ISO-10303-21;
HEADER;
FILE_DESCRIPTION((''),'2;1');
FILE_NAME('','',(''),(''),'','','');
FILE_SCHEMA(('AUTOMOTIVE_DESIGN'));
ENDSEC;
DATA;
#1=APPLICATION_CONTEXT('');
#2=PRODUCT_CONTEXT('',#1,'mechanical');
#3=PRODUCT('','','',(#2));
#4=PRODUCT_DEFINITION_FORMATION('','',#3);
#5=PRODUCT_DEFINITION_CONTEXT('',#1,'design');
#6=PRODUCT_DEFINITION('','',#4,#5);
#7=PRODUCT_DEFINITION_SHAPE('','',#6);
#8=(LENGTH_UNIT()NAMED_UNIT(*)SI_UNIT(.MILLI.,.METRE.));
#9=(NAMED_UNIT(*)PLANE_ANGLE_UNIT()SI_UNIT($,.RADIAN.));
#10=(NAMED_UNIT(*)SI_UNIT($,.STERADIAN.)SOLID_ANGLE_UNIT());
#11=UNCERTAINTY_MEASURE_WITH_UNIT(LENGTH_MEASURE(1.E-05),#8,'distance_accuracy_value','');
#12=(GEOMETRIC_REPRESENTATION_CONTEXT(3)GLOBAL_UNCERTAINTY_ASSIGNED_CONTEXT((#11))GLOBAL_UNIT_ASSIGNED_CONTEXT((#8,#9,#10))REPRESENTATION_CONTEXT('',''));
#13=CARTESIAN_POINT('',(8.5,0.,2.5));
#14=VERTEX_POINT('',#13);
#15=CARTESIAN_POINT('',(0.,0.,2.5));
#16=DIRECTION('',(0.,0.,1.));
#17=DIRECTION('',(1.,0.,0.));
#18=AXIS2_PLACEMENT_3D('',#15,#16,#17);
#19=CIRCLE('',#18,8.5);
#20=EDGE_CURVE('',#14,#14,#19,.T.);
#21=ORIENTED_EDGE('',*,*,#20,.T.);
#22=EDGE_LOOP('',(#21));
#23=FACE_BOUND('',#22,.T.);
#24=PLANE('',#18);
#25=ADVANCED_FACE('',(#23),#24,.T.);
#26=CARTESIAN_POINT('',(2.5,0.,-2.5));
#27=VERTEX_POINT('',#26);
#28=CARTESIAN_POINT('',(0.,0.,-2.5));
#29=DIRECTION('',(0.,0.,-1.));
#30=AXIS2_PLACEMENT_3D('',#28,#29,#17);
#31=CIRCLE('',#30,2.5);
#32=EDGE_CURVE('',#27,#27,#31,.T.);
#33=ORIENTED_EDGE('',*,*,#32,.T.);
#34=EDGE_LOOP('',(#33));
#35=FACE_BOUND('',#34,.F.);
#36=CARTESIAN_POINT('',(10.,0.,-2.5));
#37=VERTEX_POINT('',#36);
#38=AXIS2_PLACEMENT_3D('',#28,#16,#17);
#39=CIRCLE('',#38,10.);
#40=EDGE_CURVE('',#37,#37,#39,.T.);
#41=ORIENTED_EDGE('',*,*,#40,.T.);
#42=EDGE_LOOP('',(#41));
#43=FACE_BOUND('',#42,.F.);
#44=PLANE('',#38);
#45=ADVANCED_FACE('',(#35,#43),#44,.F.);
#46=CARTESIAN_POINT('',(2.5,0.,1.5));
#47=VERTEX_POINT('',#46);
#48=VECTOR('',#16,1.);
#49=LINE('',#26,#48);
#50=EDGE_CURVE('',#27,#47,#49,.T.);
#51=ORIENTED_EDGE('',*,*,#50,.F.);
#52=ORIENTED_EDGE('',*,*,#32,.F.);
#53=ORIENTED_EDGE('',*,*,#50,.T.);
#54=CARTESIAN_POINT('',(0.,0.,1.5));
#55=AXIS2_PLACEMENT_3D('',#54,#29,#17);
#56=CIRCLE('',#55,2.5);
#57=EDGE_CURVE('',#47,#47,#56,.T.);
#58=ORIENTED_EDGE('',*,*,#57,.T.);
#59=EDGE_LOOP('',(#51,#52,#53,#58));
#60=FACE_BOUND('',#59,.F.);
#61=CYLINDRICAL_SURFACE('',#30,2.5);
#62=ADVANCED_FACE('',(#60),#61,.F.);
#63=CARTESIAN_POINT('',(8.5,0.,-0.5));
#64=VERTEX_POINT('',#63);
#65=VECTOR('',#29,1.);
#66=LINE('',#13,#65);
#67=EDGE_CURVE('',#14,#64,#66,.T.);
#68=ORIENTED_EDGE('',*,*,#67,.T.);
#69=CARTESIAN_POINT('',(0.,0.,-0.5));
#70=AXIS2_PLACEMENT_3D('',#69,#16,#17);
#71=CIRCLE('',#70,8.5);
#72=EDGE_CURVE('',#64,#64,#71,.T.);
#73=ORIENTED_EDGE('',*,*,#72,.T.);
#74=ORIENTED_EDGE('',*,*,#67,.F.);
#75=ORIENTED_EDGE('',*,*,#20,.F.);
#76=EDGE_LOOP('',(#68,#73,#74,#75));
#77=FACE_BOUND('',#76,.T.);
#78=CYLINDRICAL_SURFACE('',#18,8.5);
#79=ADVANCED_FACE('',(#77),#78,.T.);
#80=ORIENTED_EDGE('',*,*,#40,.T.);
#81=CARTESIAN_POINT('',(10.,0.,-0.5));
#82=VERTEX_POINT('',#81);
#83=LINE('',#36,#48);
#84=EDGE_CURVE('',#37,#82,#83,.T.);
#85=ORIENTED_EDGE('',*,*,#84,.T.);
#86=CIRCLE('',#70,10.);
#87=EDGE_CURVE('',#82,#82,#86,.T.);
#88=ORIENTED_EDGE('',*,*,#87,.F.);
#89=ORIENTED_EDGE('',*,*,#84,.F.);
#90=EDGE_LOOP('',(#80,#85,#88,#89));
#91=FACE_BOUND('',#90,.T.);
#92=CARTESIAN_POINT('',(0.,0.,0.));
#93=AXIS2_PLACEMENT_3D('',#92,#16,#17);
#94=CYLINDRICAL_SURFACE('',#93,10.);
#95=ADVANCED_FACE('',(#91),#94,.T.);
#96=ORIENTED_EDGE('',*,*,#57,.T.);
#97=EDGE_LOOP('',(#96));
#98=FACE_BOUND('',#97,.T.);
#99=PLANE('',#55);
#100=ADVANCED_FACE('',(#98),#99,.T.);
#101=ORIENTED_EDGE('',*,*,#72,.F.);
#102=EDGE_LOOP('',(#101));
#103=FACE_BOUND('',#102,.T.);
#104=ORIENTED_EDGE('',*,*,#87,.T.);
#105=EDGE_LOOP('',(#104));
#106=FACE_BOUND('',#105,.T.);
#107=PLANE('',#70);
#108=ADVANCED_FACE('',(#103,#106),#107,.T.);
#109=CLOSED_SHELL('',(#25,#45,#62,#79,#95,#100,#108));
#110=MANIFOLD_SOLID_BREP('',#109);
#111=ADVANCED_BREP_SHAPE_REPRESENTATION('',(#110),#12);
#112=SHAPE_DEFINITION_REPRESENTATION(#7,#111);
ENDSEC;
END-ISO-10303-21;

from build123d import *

# Parameters (mm, degrees)
F0_R     = 10
F1_DEPTH = 2.5
F2_R     = 10
F2_R_2   = 8.5
F3_DEPTH = 3
F4_R     = 2.5
F5_DEPTH = 4


with BuildPart() as f1:
    # F0 (on Top) → F1 (new body, symmetric)
    with BuildSketch(Plane.XY):
        Circle(F0_R)
    extrude(amount=F1_DEPTH, both=True)

    # F2 (on face) → F3 (cut)
    with BuildSketch(Plane.XY.offset(2.5)):
        Circle(F2_R)
        Circle(F2_R_2, mode=Mode.SUBTRACT)
    extrude(amount=-F3_DEPTH, mode=Mode.SUBTRACT)

    # F4 (on face) → F5 (cut)
    with BuildSketch(Plane(origin=(0, 0, -2.5), x_dir=(1, 0, 0), z_dir=(0, 0, -1))):
        Circle(F4_R)
    extrude(amount=-F5_DEPTH, mode=Mode.SUBTRACT)


solid = f1.part
